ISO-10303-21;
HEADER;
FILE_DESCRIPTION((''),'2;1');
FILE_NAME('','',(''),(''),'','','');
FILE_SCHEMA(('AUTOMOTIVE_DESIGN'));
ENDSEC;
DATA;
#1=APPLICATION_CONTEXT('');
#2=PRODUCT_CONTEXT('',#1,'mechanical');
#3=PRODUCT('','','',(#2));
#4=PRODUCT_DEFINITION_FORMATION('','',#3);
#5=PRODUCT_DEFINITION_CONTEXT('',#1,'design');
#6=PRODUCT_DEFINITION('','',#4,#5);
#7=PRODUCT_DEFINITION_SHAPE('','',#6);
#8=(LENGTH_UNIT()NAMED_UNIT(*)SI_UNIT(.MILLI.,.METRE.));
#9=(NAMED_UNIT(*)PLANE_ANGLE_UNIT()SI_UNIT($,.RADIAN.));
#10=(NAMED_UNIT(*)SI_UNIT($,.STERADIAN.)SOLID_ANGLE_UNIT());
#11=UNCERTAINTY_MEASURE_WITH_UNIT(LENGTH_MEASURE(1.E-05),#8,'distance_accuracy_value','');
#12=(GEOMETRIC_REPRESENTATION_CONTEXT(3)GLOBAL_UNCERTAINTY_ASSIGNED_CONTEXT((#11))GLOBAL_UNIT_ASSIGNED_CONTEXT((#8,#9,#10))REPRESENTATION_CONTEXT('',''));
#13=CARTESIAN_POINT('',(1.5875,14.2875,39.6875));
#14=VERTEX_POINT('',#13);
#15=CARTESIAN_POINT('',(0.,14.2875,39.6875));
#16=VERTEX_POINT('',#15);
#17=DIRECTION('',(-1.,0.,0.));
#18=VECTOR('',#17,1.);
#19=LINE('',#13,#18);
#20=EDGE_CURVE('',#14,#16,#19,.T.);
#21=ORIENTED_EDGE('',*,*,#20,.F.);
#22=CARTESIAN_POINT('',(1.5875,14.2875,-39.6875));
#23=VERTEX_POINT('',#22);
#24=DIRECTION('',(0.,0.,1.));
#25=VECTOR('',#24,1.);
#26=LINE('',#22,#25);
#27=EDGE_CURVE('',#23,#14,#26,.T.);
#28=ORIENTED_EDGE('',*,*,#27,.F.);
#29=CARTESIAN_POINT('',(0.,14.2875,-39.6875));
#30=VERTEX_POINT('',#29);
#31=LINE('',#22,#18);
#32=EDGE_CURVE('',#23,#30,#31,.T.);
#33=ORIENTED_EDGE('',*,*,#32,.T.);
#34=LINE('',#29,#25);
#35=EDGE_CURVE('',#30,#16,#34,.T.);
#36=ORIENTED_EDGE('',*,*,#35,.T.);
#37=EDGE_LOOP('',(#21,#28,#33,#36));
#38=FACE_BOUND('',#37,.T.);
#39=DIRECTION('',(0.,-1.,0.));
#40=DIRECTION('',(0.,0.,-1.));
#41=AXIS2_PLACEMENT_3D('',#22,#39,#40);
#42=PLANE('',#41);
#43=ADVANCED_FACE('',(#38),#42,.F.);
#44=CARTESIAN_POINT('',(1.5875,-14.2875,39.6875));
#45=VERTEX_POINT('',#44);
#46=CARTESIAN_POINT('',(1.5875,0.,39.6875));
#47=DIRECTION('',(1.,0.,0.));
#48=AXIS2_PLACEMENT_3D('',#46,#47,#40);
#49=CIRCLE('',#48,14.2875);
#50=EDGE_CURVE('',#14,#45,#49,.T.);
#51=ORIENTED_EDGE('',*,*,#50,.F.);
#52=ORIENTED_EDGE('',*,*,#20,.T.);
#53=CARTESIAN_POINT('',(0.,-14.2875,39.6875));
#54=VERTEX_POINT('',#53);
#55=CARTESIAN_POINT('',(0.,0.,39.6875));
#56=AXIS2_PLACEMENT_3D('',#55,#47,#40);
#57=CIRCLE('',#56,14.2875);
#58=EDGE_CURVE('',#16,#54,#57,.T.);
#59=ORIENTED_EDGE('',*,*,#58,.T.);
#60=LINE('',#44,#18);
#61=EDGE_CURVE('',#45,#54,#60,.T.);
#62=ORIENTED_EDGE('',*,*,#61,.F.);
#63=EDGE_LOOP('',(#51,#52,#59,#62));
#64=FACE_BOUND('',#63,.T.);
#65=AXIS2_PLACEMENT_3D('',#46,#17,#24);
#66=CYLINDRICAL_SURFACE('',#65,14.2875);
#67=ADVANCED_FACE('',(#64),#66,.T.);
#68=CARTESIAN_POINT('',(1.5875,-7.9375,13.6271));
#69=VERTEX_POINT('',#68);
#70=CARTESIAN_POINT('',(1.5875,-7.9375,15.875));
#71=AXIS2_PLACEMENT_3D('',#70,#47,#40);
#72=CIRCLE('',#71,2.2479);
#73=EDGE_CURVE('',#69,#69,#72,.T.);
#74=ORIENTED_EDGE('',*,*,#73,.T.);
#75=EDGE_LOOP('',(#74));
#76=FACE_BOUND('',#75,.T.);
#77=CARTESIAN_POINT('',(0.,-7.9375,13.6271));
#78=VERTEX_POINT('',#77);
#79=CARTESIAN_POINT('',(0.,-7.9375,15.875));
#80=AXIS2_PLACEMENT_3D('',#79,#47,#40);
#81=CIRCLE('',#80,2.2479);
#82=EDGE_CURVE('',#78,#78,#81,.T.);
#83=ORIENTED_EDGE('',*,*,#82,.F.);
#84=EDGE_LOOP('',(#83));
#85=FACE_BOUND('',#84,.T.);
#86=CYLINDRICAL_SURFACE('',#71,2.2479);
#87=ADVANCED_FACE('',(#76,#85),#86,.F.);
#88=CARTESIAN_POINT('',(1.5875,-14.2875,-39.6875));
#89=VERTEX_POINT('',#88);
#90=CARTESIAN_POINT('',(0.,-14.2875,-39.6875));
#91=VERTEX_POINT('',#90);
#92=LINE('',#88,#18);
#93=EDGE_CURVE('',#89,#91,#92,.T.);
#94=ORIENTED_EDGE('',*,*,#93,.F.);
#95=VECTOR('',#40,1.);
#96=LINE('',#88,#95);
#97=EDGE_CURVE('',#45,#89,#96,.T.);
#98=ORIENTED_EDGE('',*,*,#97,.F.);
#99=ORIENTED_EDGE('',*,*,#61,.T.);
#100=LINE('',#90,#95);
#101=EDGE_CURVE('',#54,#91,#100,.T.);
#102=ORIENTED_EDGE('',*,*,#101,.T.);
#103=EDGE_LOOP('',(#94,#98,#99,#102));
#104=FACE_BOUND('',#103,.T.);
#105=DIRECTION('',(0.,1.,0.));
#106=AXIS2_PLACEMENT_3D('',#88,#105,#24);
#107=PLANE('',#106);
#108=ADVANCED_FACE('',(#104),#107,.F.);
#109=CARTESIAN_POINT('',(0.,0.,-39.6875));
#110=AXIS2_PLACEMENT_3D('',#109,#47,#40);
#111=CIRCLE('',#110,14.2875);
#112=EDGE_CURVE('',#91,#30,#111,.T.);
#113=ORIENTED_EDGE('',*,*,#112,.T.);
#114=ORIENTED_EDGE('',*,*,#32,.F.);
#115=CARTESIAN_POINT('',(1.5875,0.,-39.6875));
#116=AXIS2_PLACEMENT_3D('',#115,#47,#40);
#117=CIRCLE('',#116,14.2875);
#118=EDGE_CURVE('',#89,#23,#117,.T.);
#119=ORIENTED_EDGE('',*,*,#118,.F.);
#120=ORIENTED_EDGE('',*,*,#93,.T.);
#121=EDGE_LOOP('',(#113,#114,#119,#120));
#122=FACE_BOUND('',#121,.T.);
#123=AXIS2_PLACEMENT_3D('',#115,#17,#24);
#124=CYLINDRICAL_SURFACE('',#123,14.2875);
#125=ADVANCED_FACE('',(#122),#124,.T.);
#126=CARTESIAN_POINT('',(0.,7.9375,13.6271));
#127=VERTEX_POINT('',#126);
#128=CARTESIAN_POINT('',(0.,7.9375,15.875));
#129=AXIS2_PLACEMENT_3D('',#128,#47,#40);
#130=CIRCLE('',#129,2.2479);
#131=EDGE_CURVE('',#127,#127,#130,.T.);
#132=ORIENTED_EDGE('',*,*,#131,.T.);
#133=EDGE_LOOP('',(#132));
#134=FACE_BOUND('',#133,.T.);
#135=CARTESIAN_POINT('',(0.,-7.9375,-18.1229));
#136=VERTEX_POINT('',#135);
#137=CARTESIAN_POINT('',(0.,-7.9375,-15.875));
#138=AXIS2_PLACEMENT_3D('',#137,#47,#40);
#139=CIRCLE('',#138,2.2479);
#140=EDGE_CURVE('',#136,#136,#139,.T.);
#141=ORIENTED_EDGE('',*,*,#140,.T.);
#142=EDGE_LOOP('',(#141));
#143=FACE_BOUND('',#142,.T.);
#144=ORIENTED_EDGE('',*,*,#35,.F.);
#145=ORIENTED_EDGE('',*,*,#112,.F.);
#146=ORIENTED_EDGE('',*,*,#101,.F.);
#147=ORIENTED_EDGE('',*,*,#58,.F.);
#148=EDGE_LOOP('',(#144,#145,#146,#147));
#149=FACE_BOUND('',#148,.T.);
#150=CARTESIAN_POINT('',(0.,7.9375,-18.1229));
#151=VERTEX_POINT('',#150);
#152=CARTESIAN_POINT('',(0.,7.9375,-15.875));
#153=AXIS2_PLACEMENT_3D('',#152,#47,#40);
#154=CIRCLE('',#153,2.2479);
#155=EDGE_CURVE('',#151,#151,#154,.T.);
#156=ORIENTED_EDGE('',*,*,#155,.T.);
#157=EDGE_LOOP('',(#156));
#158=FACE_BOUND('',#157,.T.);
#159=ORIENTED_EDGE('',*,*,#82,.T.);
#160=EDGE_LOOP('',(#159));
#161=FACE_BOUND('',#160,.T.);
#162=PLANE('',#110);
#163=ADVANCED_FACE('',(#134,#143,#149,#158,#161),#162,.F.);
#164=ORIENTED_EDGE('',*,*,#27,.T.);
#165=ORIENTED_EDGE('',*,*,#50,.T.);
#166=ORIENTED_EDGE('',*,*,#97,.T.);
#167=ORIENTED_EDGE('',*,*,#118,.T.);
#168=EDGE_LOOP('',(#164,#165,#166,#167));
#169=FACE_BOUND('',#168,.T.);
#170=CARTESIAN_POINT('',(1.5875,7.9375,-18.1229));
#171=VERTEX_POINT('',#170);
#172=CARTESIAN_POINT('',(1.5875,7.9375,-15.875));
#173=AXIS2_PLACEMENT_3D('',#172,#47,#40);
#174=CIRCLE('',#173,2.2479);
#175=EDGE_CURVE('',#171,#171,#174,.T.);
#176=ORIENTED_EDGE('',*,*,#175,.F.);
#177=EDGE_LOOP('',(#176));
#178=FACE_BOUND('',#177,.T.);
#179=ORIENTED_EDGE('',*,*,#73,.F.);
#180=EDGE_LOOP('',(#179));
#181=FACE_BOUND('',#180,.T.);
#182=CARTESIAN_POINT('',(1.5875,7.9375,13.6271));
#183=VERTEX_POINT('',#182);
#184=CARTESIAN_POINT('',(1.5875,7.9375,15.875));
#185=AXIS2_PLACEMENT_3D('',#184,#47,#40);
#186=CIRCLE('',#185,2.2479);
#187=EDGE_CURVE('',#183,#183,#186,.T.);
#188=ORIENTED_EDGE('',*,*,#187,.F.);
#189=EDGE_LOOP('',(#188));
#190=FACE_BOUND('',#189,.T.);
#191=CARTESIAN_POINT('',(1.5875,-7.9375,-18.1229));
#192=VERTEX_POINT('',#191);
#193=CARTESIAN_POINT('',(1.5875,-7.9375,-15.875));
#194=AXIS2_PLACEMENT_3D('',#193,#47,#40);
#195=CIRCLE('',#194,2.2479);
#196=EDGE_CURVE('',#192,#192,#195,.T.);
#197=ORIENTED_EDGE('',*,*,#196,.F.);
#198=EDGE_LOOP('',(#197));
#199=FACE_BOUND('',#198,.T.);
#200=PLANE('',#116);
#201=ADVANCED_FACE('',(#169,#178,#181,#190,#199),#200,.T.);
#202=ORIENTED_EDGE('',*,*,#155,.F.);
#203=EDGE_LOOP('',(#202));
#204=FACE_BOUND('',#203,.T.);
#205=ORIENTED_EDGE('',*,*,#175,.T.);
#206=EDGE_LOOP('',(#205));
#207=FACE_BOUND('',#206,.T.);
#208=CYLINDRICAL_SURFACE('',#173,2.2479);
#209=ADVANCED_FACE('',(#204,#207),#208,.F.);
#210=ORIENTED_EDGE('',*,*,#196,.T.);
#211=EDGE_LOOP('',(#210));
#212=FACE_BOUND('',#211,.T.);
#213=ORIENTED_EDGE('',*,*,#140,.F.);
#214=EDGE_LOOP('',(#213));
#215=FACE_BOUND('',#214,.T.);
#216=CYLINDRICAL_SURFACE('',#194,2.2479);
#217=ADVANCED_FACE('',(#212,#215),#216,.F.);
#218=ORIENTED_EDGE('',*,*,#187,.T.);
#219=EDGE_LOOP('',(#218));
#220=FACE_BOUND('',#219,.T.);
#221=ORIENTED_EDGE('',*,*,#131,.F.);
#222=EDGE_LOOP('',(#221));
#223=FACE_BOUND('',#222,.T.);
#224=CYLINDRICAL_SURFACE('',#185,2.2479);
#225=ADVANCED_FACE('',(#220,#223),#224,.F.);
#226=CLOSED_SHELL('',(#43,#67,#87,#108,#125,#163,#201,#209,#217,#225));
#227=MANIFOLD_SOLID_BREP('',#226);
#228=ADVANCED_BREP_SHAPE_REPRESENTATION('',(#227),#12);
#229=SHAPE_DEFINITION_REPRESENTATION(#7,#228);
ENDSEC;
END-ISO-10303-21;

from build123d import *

# Parameters (mm, degrees)
BOSS_EXTRUDE1_DEPTH   = 1.5875
F_8_CLEARANCE_HOLE1_D = 4.4958


with BuildPart() as part:
    # Sketch2 → Boss-Extrude1 (new body)
    with BuildSketch(Plane(origin=(0, 0, 0), x_dir=(0, 0, -1), z_dir=(1, 0, 0))):
        with BuildLine():
            Line((39.6875, -14.2875), (-39.6875, -14.2875))
            ThreePointArc((-39.6875, -14.2875), (-53.975, 0), (-39.6875, 14.2875))
            Line((-39.6875, 14.2875), (39.6875, 14.2875))
            ThreePointArc((39.6875, 14.2875), (53.975, 0), (39.6875, -14.2875))
        make_face()
    extrude(amount=BOSS_EXTRUDE1_DEPTH)

    # #8 Clearance Hole1 (through all)
    with Locations(Plane(origin=(1.5875, 0, 0), x_dir=(0, 0, -1), z_dir=(1, 0, 0))):
        with Locations((-15.875, 7.9375), (-15.875, -7.9375), (15.875, -7.9375), (15.875, 7.9375)):
            Hole(F_8_CLEARANCE_HOLE1_D / 2)


solid = part.part
